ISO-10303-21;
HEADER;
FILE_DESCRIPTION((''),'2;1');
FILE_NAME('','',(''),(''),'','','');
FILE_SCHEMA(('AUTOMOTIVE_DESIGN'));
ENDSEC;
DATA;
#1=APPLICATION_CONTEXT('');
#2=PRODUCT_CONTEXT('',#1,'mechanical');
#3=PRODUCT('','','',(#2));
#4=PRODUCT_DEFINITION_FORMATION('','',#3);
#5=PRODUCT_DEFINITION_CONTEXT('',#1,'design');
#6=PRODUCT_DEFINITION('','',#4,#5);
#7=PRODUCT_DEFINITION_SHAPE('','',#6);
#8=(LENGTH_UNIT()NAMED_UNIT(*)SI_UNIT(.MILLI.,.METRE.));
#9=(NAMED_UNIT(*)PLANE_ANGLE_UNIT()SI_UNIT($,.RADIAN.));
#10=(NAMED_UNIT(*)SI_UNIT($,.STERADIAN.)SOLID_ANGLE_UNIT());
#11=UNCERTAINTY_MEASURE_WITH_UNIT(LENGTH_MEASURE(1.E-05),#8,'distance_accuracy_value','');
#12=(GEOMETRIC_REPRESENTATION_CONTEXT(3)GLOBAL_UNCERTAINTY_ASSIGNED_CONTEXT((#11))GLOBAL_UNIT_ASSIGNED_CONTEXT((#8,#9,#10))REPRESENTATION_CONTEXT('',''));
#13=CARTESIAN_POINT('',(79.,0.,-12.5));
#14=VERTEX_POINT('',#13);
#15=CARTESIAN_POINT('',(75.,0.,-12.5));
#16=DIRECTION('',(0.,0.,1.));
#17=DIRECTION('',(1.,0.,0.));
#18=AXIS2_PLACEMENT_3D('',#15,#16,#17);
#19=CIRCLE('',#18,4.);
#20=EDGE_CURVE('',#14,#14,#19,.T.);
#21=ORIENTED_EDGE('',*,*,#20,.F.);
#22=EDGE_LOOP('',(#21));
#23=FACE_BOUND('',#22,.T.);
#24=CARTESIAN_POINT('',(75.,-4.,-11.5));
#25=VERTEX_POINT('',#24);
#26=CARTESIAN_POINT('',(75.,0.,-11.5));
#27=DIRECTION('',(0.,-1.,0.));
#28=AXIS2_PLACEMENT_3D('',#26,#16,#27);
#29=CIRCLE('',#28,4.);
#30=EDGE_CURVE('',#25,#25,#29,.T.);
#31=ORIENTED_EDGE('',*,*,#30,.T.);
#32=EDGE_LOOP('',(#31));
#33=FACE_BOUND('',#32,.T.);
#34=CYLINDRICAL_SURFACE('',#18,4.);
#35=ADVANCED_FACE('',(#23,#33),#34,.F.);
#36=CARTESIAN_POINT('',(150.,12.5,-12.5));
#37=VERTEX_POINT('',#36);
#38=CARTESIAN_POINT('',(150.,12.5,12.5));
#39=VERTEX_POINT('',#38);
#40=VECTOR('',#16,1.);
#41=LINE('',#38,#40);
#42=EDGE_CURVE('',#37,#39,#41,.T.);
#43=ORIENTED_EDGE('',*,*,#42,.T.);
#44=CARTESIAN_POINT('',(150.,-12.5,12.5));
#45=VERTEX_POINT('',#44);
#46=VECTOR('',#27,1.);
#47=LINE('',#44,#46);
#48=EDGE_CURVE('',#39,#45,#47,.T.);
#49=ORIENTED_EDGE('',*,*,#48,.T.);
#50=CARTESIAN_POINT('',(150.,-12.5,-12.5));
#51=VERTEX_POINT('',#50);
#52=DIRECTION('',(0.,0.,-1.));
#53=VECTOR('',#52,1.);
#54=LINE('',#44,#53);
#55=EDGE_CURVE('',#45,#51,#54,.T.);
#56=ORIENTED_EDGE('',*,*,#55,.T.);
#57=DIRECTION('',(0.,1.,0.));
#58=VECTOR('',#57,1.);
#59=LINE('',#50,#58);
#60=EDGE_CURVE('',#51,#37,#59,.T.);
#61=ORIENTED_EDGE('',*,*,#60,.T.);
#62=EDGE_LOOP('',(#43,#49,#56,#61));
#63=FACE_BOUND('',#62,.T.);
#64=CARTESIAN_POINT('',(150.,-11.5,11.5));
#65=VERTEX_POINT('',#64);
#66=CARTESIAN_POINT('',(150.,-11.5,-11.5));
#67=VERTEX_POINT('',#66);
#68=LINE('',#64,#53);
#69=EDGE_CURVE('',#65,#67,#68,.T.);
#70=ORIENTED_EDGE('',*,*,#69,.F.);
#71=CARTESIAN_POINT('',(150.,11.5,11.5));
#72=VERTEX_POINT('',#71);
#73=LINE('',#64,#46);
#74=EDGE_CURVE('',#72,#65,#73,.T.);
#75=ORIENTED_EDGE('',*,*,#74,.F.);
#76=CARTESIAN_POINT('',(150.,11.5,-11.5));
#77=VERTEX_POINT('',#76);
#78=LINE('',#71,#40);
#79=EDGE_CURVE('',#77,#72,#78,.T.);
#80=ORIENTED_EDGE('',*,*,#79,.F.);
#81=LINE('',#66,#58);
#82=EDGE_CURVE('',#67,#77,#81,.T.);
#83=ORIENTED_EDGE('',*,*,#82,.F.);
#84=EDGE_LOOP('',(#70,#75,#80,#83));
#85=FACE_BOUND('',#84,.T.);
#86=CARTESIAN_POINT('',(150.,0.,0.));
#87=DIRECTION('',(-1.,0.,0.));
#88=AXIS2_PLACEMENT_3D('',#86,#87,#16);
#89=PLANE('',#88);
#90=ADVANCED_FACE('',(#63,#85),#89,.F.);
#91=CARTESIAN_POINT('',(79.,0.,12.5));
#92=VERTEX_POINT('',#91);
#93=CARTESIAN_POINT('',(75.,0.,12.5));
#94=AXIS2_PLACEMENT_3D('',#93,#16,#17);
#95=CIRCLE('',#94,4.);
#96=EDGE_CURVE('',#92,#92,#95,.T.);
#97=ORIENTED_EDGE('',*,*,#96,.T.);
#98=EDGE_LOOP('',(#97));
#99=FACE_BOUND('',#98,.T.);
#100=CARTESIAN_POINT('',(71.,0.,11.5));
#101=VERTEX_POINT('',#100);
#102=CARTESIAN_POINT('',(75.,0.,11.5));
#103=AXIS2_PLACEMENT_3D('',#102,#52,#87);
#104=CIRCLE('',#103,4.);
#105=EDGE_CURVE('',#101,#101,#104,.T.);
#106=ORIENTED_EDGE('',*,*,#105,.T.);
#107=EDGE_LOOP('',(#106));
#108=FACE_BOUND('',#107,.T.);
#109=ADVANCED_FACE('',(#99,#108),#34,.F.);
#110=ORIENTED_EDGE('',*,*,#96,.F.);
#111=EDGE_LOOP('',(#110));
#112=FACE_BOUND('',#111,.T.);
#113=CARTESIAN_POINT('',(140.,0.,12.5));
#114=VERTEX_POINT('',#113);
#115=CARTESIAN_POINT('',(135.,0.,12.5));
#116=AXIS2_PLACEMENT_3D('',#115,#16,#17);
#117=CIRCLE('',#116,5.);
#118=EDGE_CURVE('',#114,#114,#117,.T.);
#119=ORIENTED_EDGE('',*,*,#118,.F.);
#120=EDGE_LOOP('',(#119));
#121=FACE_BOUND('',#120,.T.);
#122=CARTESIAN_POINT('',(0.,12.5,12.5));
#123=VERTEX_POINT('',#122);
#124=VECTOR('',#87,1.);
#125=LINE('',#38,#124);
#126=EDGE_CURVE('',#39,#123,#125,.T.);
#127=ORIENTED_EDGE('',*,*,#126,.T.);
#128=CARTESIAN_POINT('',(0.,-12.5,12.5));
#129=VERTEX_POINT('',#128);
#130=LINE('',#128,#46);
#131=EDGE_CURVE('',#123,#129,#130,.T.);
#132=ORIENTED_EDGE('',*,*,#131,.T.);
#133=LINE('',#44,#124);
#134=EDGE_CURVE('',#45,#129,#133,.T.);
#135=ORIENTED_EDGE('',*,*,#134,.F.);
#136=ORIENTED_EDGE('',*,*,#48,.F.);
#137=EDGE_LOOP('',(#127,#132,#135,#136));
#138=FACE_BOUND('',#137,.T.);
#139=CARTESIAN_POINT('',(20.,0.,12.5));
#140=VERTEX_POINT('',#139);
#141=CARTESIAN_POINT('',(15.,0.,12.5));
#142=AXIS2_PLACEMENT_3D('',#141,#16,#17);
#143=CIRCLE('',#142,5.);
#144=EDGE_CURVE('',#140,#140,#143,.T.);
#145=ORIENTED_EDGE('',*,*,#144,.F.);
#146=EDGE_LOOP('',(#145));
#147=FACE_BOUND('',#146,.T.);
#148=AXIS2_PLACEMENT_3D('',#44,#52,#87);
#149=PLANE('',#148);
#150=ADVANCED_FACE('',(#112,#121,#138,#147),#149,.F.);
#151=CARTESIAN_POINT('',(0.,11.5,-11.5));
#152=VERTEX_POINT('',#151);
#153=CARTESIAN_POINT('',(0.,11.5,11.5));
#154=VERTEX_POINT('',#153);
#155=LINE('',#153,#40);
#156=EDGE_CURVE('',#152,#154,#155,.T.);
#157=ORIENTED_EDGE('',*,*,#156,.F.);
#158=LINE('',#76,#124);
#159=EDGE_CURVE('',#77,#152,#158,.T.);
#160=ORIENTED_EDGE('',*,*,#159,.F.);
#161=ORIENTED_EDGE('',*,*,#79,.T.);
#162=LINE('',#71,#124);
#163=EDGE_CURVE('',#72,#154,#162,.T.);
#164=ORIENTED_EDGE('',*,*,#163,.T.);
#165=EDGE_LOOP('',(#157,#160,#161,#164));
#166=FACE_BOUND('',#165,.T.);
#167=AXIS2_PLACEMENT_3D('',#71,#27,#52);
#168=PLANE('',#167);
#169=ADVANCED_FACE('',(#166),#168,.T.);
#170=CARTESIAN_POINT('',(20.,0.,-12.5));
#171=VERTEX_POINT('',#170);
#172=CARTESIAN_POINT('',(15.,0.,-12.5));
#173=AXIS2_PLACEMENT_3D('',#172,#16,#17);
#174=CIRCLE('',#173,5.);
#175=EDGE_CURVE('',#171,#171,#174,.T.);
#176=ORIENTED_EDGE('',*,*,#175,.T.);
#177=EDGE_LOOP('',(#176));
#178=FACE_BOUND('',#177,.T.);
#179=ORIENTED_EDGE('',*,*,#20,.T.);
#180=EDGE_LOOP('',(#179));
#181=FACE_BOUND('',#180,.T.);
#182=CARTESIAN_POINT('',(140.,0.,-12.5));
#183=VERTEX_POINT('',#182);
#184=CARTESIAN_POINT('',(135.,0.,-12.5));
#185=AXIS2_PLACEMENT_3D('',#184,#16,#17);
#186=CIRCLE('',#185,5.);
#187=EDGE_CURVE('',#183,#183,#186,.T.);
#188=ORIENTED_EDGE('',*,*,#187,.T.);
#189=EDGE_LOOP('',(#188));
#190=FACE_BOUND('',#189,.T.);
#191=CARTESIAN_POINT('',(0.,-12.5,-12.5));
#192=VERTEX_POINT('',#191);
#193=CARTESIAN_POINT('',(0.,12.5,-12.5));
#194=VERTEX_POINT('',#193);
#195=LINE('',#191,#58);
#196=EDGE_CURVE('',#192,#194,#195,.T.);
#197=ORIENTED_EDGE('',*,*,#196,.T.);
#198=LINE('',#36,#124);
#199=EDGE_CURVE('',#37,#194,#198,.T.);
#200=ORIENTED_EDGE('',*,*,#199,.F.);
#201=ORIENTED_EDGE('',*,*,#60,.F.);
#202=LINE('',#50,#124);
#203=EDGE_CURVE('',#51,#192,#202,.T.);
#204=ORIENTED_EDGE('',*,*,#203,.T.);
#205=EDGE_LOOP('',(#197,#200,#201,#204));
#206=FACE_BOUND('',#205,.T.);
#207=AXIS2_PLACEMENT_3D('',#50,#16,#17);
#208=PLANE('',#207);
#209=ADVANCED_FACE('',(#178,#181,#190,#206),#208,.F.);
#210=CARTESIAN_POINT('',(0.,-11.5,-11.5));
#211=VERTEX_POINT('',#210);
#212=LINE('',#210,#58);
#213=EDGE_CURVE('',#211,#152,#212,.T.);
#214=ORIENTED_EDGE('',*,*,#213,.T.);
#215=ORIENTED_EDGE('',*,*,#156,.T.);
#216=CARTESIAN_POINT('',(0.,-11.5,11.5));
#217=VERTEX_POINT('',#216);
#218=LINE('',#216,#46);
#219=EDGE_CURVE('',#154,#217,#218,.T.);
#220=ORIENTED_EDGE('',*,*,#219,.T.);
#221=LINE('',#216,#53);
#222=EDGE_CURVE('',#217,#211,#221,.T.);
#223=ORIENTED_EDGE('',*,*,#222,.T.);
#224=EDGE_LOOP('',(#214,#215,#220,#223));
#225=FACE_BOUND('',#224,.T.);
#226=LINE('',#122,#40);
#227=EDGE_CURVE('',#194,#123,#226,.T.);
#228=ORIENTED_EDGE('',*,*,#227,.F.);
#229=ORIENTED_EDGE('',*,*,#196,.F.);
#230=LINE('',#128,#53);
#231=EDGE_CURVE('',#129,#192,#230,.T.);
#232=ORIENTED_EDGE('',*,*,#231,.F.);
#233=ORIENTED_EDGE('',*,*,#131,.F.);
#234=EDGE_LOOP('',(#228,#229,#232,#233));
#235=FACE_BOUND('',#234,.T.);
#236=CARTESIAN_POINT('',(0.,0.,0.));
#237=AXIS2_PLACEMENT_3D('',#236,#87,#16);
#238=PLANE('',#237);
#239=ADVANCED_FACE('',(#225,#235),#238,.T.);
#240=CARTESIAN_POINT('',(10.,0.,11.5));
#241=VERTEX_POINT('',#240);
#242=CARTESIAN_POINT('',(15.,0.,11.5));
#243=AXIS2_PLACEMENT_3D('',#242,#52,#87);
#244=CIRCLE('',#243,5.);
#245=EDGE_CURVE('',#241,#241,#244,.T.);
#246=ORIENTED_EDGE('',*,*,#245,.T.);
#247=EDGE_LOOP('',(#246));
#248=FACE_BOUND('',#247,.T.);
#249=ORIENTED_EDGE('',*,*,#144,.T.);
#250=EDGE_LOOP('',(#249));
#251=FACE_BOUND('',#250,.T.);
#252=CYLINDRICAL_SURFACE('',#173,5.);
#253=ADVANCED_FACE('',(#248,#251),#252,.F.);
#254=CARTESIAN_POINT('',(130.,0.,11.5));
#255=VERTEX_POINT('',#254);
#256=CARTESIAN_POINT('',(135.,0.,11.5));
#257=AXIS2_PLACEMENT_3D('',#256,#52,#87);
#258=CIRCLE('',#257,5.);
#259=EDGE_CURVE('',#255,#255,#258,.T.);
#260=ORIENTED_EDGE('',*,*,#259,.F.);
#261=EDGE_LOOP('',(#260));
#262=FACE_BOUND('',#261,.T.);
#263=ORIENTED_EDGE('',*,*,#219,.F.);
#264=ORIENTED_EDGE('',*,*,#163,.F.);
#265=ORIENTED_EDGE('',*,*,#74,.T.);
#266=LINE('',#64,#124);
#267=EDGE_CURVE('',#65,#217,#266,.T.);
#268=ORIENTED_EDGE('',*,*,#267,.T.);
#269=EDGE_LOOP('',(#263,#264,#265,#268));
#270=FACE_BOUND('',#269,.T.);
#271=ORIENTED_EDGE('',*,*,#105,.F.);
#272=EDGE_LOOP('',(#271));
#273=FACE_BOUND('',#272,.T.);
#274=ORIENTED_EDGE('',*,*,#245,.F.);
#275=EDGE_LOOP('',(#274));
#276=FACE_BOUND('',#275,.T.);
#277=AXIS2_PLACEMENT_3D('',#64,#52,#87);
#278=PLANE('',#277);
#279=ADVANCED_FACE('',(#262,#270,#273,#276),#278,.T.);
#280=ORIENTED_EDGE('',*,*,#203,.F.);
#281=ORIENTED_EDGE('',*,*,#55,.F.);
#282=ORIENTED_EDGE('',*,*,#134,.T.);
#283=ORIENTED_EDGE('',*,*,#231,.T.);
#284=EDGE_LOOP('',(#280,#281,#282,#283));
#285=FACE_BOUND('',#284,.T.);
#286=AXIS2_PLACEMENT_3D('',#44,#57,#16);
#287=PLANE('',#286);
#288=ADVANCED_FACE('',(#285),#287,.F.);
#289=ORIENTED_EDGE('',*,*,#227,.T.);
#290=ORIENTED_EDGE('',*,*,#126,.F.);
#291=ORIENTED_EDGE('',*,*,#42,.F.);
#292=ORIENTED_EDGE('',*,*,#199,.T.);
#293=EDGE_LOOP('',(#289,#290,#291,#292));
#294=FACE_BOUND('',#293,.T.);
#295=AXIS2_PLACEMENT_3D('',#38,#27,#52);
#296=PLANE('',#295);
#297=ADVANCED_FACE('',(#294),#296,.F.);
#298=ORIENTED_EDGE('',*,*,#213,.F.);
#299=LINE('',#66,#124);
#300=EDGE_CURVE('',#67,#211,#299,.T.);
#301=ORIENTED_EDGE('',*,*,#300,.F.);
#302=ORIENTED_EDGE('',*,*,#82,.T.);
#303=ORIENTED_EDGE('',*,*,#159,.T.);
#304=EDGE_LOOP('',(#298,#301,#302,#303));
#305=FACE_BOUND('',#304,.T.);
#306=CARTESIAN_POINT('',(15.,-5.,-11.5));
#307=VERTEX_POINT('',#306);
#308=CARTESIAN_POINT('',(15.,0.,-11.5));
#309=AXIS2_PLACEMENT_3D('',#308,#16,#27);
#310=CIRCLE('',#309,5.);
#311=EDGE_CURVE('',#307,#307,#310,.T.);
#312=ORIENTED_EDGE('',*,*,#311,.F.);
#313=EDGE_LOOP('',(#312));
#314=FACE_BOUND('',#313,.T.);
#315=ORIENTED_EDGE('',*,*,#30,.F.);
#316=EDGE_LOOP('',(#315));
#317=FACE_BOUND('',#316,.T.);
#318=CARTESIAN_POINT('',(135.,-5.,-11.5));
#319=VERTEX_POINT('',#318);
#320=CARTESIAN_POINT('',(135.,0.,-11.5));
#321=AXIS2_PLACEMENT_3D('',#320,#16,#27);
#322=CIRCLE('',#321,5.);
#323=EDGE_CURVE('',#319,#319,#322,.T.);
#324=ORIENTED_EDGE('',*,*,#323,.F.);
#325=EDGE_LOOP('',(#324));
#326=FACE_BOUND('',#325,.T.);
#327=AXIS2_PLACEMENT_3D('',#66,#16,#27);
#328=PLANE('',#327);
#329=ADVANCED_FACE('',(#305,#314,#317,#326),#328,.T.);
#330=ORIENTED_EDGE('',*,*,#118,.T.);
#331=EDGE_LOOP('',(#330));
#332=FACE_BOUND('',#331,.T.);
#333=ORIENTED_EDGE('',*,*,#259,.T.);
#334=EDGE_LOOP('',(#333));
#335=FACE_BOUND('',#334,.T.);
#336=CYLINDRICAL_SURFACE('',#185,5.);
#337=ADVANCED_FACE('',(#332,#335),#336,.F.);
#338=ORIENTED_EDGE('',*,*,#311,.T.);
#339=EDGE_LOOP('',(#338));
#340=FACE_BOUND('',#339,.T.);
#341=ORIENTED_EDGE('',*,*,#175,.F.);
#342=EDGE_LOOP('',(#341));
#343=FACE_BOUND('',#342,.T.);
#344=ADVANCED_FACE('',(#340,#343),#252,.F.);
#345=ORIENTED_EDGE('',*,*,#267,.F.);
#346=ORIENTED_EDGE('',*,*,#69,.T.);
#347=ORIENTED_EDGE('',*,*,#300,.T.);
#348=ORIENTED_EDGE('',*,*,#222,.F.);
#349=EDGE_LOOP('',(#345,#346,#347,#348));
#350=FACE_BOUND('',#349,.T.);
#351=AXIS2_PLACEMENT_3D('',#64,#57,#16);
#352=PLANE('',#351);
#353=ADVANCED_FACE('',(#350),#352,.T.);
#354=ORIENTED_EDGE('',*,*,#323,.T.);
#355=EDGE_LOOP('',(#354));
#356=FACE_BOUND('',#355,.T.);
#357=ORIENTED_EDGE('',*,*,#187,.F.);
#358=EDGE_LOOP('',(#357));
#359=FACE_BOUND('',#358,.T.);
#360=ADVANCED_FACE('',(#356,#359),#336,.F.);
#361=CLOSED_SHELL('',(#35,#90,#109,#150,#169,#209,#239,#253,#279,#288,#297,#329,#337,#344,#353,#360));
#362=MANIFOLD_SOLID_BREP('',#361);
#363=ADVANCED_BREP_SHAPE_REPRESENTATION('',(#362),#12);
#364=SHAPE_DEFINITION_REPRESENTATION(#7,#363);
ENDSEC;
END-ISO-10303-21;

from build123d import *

# Parameters (mm, degrees)
SKETCH1_W           = 25
SKETCH1_H           = 25
SKETCH1_W_2         = 23
SKETCH1_H_2         = 23
BOSS_EXTRUDE1_DEPTH = 150
SKETCH2_R           = 4
SKETCH2_R_2         = 5
CUT_EXTRUDE1_DEPTH  = 153.581945197


with BuildPart() as part:
    # Sketch1 → Boss-Extrude1 (new body)
    with BuildSketch(Plane(origin=(0, 0, 0), x_dir=(0, 0, -1), z_dir=(1, 0, 0))):
        Rectangle(SKETCH1_W, SKETCH1_H)
        Rectangle(SKETCH1_W_2, SKETCH1_H_2, mode=Mode.SUBTRACT)
    extrude(amount=BOSS_EXTRUDE1_DEPTH)

    # Sketch2 → Cut-Extrude1 (cut, through all)
    with BuildSketch(Plane.XY.offset(12.5)):
        with Locations((75, 0)):
            Circle(SKETCH2_R)
        with Locations((15, 0)):
            Circle(SKETCH2_R_2)
        with Locations((135, 0)):
            Circle(SKETCH2_R_2)
    extrude(amount=-CUT_EXTRUDE1_DEPTH, mode=Mode.SUBTRACT)


solid = part.part
